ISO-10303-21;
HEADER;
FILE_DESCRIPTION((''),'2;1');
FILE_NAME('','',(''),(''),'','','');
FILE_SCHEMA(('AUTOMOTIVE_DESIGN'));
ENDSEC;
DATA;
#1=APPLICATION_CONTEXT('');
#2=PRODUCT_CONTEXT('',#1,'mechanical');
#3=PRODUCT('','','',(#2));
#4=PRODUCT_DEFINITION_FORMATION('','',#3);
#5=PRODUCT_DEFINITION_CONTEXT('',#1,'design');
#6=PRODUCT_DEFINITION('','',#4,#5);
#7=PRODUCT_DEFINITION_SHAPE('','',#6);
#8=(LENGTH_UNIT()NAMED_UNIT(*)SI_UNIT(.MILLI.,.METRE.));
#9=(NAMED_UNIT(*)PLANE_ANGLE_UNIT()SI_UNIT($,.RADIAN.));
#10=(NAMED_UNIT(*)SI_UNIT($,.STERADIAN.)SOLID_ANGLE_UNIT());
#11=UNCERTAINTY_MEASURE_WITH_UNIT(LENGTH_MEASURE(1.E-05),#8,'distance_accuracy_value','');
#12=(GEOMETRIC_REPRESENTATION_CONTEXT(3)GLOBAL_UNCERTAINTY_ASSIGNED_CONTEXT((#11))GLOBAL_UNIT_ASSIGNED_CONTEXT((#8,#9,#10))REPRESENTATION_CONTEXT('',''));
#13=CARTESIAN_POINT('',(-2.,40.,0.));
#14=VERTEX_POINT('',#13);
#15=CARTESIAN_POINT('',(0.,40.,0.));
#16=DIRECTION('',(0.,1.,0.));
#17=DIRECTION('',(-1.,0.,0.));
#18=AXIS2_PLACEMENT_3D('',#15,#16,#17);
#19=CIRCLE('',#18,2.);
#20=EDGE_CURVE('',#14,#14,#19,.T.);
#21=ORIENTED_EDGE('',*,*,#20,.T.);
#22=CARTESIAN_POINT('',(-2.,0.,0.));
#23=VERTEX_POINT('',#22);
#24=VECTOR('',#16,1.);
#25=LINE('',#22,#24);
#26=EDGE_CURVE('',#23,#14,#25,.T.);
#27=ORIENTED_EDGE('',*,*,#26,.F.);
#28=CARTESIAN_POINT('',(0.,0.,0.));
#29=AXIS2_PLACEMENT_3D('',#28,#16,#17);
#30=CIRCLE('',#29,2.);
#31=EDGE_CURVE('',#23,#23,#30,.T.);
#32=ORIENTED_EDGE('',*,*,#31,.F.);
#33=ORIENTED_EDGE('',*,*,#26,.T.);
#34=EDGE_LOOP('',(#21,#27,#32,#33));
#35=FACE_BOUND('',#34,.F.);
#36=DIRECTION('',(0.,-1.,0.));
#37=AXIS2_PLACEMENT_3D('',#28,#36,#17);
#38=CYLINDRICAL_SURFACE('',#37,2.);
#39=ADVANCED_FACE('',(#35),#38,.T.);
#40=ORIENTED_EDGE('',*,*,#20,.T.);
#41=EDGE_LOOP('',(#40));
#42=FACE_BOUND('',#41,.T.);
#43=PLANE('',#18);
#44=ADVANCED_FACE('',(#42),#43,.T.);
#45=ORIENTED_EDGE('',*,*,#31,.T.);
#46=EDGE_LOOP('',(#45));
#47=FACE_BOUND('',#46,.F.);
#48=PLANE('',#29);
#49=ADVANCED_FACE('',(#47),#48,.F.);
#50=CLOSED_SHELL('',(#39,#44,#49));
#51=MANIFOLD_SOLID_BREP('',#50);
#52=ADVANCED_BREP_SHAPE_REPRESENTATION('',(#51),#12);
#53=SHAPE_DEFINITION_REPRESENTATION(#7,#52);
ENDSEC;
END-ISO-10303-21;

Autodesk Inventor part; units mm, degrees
ref_plane "YZ Plane" through (0, 0, 0) normal (1, 0, 0) x (0, 1, 0)
ref_plane "XZ Plane" through (0, 0, 0) normal (0, 1, 0) x (-1, 0, 0)
ref_plane "XY Plane" through (0, 0, 0) normal (0, 0, 1) x (1, 0, 0)
sketch "草圖1" plane through (0, 0, 0) normal (0, 1, 0) x (-1, 0, 0)
  circle A0 centre (0, 0) radius 2
  dimension "d0" = 4
extrude "擠出1" add sketch "草圖1" along normal blind 40
properties part number "axle 4_40" material "壓克力條"
